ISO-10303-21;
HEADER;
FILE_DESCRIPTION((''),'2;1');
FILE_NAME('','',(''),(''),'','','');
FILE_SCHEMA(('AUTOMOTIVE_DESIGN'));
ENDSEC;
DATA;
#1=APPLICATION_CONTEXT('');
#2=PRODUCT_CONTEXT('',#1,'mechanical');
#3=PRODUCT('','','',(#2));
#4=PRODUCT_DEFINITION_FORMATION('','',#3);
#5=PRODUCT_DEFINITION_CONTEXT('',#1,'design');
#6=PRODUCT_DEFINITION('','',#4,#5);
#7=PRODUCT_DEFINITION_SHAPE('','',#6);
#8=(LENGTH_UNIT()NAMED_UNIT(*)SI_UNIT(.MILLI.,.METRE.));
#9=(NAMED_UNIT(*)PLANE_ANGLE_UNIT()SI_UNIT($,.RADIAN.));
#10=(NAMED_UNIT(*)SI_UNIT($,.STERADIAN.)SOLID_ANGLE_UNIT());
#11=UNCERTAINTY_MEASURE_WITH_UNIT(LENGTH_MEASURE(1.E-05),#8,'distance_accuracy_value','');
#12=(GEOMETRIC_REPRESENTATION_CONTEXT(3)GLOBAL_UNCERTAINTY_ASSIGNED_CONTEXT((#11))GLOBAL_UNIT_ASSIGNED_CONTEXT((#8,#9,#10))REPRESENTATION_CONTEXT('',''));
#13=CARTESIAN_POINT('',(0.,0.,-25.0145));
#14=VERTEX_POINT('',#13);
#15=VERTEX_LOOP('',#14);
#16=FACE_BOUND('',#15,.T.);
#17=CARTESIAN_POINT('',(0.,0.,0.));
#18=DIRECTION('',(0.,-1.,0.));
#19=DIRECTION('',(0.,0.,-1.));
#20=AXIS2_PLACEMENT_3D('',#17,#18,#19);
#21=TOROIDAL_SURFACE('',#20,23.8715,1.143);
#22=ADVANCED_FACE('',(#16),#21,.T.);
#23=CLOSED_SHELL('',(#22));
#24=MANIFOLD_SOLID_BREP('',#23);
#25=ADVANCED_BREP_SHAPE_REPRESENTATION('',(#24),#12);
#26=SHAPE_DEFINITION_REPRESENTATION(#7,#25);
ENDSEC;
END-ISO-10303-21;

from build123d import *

# Parameters (mm, degrees)
SKETCH2_R = 1.143


with BuildPart() as part:
    # Sweep1: sweep along a path in Sketch1
    with BuildLine(Plane(origin=(0, 0, 0), x_dir=(1, 0, 0), z_dir=(0, 1, 0))) as sweep1_path:
        CenterArc((0, 0), 23.8715, 0, 360)
    # Sketch2 → Sweep1 (sweep)
    with BuildSketch(Plane.XY):
        with Locations((-23.8715, 0)):
            Circle(SKETCH2_R)
    sweep(path=sweep1_path.line)


solid = part.part
